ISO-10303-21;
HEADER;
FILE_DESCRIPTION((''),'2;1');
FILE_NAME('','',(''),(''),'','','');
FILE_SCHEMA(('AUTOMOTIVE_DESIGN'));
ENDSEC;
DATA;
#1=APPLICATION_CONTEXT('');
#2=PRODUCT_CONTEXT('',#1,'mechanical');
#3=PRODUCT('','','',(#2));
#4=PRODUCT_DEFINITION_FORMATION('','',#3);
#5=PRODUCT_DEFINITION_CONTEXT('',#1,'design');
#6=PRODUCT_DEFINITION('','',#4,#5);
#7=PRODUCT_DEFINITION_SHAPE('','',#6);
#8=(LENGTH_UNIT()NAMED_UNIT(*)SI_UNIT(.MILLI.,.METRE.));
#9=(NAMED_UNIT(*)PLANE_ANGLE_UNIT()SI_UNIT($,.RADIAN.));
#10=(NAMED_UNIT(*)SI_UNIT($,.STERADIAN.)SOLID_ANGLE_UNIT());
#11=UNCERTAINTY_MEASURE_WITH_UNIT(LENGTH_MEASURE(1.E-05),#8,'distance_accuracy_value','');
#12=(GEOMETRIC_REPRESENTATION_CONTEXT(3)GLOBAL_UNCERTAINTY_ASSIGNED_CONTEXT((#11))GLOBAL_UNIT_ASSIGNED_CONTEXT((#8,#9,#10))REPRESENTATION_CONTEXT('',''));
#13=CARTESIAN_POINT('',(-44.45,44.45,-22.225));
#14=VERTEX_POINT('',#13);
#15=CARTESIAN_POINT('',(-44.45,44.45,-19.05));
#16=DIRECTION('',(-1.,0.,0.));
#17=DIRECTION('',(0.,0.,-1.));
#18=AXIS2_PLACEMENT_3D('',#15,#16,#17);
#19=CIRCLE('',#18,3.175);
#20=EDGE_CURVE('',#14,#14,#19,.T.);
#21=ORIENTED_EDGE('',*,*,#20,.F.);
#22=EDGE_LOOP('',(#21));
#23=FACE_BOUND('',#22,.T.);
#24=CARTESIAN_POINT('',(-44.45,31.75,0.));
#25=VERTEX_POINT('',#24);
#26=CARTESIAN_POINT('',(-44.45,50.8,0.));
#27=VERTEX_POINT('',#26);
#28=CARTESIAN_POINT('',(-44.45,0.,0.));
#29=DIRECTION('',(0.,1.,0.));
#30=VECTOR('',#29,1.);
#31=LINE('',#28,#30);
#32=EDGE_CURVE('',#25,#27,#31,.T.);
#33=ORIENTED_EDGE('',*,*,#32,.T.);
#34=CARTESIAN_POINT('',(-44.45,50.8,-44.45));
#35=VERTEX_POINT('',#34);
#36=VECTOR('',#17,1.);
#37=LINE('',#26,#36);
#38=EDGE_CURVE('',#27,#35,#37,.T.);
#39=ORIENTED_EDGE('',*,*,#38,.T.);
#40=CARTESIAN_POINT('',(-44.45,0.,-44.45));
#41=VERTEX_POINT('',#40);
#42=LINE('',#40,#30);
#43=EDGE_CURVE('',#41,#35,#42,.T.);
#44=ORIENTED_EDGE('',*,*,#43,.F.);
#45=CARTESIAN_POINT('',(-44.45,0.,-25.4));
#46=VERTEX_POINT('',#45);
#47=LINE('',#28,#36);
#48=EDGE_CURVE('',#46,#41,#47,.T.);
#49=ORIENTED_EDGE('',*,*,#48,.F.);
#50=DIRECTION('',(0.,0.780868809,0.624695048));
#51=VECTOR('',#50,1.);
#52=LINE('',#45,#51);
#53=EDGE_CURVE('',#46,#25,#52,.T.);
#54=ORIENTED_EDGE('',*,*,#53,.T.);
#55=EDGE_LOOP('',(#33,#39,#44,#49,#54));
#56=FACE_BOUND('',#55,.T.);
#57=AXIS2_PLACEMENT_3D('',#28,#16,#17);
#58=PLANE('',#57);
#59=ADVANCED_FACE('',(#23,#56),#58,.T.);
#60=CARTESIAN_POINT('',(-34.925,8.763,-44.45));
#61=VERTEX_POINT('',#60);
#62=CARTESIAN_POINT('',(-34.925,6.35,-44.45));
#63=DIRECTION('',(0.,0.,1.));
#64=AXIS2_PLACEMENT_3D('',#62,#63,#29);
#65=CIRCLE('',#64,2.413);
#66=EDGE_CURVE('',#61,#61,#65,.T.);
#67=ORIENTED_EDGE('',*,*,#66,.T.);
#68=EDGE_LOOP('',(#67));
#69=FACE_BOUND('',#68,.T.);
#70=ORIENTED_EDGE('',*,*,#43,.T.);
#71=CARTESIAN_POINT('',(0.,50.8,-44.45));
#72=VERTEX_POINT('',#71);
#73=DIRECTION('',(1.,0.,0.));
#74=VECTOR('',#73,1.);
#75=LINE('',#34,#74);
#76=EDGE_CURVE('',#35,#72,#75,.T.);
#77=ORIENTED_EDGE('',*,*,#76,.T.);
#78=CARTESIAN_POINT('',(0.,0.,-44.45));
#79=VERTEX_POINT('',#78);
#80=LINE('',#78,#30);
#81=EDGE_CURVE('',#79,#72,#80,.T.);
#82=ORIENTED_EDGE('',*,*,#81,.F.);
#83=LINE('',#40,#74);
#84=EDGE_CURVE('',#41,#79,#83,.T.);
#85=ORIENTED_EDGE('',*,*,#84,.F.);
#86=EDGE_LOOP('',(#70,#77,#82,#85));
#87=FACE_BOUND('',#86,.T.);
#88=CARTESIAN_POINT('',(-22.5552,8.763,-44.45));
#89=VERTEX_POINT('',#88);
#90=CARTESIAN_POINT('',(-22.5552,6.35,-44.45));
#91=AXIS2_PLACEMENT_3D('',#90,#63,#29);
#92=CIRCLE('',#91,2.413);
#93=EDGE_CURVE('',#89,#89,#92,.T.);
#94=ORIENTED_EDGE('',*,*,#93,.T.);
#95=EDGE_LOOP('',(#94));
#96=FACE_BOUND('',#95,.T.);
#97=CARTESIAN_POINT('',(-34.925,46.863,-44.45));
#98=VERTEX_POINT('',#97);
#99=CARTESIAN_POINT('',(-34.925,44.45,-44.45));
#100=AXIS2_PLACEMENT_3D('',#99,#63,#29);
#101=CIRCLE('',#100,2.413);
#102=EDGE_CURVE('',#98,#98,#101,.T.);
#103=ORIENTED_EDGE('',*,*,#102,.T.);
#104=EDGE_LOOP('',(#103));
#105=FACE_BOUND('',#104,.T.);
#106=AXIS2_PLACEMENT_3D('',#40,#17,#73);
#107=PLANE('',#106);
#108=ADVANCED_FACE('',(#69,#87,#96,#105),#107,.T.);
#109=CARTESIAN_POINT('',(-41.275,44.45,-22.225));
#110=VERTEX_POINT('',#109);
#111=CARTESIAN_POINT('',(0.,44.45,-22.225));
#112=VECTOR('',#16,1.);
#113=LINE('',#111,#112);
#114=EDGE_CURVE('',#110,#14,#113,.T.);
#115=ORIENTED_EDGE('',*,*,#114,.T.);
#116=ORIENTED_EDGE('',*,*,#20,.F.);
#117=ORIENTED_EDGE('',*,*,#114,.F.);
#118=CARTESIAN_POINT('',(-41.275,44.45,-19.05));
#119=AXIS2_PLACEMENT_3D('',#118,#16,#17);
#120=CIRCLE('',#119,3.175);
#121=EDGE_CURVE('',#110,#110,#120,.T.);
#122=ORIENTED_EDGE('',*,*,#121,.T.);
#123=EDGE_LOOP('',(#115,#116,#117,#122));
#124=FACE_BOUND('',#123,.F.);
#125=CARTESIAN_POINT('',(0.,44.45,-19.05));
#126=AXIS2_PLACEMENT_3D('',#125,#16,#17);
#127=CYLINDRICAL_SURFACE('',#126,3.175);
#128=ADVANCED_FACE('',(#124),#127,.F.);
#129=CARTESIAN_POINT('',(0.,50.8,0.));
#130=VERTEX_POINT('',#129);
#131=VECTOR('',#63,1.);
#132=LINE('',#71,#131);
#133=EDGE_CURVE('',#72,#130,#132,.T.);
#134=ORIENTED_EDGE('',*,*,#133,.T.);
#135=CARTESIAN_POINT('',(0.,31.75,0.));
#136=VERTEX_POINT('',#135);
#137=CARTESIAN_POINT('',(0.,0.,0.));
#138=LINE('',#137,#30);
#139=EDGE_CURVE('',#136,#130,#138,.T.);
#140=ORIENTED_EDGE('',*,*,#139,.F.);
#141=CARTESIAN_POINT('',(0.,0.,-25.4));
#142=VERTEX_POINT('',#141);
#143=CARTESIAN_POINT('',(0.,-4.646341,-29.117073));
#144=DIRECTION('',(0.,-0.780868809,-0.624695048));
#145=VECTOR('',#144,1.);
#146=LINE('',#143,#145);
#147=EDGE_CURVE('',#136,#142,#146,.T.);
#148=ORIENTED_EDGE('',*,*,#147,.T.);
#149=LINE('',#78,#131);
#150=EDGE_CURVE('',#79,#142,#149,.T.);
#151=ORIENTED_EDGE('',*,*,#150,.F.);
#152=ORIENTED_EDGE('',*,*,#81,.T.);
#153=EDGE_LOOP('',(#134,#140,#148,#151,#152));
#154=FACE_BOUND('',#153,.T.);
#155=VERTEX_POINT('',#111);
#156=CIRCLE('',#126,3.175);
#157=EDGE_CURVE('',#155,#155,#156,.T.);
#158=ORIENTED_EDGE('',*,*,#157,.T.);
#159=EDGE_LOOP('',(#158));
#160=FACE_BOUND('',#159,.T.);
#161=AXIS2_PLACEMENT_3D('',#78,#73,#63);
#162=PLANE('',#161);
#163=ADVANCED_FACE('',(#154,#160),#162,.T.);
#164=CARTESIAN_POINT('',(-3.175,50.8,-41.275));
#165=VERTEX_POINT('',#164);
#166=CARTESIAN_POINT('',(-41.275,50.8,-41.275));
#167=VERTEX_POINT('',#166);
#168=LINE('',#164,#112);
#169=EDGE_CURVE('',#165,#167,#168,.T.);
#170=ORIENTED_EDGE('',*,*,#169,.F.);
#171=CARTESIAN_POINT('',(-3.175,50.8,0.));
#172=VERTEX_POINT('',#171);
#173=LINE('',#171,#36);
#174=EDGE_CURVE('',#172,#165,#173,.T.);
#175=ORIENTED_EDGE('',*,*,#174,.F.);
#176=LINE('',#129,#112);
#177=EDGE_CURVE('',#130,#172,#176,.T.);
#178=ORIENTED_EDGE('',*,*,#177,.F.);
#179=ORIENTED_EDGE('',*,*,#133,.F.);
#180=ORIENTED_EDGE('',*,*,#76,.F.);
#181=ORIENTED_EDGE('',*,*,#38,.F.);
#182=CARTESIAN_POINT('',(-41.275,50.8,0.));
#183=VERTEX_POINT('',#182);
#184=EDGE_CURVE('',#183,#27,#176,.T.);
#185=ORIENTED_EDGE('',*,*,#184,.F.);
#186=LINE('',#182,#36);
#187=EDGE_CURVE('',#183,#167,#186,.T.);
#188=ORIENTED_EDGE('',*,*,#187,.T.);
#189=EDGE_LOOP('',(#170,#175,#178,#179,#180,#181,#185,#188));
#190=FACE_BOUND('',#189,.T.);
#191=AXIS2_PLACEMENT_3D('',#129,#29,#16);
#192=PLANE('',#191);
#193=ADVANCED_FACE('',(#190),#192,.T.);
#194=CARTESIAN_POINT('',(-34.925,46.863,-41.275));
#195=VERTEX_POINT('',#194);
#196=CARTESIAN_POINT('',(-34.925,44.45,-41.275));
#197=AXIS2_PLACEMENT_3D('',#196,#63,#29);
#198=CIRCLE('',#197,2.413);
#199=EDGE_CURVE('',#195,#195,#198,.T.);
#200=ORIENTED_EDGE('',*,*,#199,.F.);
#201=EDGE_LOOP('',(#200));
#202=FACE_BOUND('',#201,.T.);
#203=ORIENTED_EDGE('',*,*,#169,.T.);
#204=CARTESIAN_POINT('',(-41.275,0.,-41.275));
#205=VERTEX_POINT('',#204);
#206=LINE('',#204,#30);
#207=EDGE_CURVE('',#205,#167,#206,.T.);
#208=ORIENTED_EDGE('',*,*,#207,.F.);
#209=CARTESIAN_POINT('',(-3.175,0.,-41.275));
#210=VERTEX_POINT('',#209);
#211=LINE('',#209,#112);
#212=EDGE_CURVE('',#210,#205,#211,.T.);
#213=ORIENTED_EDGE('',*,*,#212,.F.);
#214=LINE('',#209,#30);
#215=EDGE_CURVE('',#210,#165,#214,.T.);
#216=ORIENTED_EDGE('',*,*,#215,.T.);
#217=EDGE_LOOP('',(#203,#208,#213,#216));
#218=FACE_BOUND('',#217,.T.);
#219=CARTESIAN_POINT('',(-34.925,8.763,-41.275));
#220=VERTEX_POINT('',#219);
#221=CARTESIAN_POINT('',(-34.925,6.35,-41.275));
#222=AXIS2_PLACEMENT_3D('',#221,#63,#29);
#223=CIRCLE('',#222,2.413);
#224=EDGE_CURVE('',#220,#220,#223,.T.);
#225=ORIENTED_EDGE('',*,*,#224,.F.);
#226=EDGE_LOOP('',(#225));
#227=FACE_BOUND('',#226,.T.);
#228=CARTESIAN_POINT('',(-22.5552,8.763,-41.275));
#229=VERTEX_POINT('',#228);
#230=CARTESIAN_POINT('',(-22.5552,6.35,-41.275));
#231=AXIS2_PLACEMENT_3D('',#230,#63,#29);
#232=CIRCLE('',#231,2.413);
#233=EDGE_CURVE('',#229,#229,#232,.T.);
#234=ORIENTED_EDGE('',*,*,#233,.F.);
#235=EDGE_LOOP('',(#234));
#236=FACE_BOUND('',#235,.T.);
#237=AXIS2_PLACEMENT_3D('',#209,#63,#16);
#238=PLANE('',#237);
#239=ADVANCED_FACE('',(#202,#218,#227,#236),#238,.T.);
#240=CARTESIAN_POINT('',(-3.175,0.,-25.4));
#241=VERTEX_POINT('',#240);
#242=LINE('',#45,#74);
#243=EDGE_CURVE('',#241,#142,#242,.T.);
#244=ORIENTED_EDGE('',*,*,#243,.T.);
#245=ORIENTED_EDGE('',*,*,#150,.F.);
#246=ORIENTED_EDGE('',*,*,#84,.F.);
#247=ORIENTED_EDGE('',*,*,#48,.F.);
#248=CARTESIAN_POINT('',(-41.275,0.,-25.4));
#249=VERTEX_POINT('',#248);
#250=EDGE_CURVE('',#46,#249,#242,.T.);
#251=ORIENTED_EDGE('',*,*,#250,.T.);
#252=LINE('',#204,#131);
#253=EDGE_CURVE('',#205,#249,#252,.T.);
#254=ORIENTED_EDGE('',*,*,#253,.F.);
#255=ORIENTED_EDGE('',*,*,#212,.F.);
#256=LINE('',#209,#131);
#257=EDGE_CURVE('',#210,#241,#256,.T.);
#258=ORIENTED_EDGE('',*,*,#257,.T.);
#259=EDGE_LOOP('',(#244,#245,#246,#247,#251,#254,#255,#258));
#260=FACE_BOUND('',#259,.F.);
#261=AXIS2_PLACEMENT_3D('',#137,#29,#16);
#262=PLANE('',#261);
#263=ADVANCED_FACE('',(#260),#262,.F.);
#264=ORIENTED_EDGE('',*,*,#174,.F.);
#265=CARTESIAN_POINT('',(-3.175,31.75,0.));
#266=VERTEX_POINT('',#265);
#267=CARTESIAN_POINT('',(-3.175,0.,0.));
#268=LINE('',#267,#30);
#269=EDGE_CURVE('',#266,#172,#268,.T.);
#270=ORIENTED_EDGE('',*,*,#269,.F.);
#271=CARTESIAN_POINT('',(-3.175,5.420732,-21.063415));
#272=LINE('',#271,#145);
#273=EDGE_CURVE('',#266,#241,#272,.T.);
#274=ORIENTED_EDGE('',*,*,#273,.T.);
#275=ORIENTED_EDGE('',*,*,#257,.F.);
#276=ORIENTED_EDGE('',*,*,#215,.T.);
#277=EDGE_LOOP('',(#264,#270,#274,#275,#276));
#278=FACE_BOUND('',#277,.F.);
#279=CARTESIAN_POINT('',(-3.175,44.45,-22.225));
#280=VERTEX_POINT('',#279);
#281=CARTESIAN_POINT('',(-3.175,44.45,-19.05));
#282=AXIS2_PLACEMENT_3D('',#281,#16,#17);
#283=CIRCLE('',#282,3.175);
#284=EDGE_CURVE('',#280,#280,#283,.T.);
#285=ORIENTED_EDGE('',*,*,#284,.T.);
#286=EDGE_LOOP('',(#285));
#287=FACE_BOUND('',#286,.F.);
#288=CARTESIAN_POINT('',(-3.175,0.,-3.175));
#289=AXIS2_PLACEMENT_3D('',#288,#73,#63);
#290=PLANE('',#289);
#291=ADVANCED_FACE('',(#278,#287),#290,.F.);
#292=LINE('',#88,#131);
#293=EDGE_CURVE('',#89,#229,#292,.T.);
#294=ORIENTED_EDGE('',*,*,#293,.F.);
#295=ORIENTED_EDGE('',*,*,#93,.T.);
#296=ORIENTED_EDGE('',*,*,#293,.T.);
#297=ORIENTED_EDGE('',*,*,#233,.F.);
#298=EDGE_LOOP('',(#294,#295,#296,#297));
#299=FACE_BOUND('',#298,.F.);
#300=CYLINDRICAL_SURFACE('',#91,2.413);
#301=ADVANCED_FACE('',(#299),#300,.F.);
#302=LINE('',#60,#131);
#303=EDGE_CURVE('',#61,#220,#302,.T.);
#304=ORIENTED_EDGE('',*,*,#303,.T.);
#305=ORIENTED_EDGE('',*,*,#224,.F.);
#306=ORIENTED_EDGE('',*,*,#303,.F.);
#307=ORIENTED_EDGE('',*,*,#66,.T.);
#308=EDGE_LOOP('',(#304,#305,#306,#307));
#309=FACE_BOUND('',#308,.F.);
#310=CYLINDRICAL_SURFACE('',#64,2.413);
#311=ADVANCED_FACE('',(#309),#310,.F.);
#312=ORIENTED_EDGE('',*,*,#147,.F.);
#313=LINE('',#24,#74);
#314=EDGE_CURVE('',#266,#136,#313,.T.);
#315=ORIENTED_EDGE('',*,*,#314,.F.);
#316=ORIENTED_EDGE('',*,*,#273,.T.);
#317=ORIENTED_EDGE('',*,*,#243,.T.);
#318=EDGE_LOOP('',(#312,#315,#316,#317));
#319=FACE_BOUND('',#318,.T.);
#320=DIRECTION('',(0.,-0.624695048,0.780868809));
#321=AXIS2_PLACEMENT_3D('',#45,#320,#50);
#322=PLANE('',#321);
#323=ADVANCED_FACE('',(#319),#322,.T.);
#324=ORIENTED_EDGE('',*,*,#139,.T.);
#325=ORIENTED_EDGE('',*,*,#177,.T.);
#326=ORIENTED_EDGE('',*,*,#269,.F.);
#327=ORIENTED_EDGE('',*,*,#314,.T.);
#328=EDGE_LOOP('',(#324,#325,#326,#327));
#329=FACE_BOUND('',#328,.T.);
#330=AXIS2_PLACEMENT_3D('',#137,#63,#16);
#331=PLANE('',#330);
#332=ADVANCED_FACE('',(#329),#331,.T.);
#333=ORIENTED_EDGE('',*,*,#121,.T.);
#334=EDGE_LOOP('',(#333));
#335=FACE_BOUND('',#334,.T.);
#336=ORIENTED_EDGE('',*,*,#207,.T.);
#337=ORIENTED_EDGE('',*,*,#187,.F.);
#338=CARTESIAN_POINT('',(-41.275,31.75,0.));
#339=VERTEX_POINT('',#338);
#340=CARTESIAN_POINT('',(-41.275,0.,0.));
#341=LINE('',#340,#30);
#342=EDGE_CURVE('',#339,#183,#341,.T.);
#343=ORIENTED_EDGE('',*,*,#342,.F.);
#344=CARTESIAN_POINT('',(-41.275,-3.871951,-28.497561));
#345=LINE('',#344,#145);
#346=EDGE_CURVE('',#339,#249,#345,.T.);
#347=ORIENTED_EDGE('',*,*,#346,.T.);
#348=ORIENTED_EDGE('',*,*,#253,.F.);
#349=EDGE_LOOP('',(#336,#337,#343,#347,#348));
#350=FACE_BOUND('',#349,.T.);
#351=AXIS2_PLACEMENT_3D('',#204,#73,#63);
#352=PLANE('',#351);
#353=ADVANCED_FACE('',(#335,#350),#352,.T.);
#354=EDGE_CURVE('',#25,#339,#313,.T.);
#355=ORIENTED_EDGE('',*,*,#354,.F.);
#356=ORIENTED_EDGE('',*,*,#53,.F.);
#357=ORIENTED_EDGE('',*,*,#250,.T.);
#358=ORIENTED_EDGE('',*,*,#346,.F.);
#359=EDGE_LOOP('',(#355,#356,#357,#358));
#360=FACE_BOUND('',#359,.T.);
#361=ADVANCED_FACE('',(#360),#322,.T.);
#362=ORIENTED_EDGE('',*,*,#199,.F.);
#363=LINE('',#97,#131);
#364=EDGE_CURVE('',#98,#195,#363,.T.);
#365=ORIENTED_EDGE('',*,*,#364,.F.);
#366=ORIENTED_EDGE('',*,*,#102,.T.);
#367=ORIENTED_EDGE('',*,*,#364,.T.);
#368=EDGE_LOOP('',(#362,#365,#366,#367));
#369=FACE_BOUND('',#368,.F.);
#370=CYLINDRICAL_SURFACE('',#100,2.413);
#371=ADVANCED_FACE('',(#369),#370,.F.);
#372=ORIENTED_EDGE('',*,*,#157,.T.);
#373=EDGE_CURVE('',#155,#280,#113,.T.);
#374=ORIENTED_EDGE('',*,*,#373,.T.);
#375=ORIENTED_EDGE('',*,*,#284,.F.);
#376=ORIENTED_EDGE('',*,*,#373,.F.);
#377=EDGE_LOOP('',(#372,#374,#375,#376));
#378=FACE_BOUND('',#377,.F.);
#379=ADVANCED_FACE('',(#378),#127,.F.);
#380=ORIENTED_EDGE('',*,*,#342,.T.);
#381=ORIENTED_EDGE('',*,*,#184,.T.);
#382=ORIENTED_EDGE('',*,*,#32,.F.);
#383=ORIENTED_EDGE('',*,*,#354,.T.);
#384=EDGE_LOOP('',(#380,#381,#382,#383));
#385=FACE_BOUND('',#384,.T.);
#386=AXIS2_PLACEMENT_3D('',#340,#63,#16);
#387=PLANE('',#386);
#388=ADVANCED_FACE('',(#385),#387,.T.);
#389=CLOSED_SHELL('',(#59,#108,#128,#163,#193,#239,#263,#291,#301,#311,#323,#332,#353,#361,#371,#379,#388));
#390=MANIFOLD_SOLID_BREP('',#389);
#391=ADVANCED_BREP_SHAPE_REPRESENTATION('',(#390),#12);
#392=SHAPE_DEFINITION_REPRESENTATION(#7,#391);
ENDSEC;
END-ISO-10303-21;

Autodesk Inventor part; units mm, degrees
ref_plane "YZ Plane" through (0, 0, 0) normal (1, 0, 0) x (0, 1, 0)
ref_plane "XZ Plane" through (0, 0, 0) normal (0, 1, 0) x (-1, 0, 0)
ref_plane "XY Plane" through (0, 0, 0) normal (0, 0, 1) x (1, 0, 0)
sketch "Sketch1" plane through (0, 0, 0) normal (0, 1, 0) x (-1, 0, 0)
  line L0 (0, 0) -> (44.45, 0)
  line L1 (44.45, 0) -> (44.45, -44.45)
  line L2 (44.45, -44.45) -> (0, -44.45)
  line L3 (0, -44.45) -> (0, 0)
  line L4 (41.275, -41.275) -> (41.275, -3.175)
  line L5 (41.275, -3.175) -> (3.175, -3.175)
  line L6 (3.175, -3.175) -> (3.175, -41.275)
  line L7 (3.175, -41.275) -> (41.275, -41.275)
  line L8 (41.275, -3.175) -> (41.275, 0)
  line L9 (3.175, -3.175) -> (3.175, 0)
  dimension "d0" = 3.175
  dimension "d1" = 44.45
extrude "Extrusion1" add sketch "Sketch1" along normal blind 50.8 contours L0 L9 L6 L7 L4 L8 L1 L2 L3
sketch "Sketch2" plane through (0, 0, 0) normal (1, 0, 0) x (0, 0, -1)
  line L0 (0, 50.8) -> (44.45, 50.8) projected
  line L1 (0, 0) -> (0, 50.8) projected
  line L2 (44.45, 0) -> (44.45, 50.8) projected
  point P0 (19.05, 44.45)
  dimension "d11" = 6.35
  dimension "d13" = 25.4
hole "Hole1" at (0, 44.45, -19.05) direction (-1, 0, 0) diameter 6.35 end through all
sketch "Sketch3" plane through (0, 0, -44.45) normal (0, 0, -1) x (-1, 0, 0)
  line L0 (16.2052, 86.1658) -> (16.2052, -32.4239) construction
  line L1 (0, 0) -> (0, 50.8) construction
  line L2 (44.45, 0) -> (44.45, 50.8) construction
  line L3 (0, 50.8) -> (44.45, 50.8) construction
  line L4 (0, 0) -> (44.45, 0) projected
  point P0 (34.925, 44.45)
  point P1 (34.925, 6.35)
  point P2 (22.5552, 6.35)
  point P3 (22.5552, 44.45)
  dimension "d14" = 16.2052
  dimension "d17" = 6.35
  dimension "d18" = 6.35
  dimension "d19" = 6.35
  dimension "d30" = 6.35
  dimension "d31" = 9.525
  dimension "d32" = 9.525
  dimension "d33" = 6.35
  dimension "d34" = 6.35
hole "Hole2" at (-34.925, 44.45, -44.45) at (-34.925, 6.35, -44.45) at (-22.5552, 6.35, -44.45) direction (0, 0, 1) diameter 4.826 end through all
sketch "Sketch4" plane through (-44.45, 0, -44.45) normal (-1, 0, 0) x (0, 0, 1)
  line L0 (19.05, 0) -> (44.45, 31.75)
  circle A0 centre (25.4, 44.45) radius 3.175 projected
  line L1 (0, 0) -> (44.45, 0) projected
  line L2 (44.45, 0) -> (44.45, 50.8) projected
  line L3 (0, 50.8) -> (44.45, 50.8) projected
  line L4 (0, 0) -> (0, 50.8) projected
  point P0 (44.45, 0)
  dimension "d35" = 19.05
  dimension "d36" = 25.4
extrude "Extrusion2" cut sketch "Sketch4" against normal blind 152.4 contours L0 L2 L1
equation "\"d18\" = d17"
equation "\"d19\" = d18"
equation "\"d30\" = d17"
equation "\"d32\" = d31"
equation "\"d34\" = d33"
properties part number "CAR_016_TensionerMount" material "Aluminum 6061"
